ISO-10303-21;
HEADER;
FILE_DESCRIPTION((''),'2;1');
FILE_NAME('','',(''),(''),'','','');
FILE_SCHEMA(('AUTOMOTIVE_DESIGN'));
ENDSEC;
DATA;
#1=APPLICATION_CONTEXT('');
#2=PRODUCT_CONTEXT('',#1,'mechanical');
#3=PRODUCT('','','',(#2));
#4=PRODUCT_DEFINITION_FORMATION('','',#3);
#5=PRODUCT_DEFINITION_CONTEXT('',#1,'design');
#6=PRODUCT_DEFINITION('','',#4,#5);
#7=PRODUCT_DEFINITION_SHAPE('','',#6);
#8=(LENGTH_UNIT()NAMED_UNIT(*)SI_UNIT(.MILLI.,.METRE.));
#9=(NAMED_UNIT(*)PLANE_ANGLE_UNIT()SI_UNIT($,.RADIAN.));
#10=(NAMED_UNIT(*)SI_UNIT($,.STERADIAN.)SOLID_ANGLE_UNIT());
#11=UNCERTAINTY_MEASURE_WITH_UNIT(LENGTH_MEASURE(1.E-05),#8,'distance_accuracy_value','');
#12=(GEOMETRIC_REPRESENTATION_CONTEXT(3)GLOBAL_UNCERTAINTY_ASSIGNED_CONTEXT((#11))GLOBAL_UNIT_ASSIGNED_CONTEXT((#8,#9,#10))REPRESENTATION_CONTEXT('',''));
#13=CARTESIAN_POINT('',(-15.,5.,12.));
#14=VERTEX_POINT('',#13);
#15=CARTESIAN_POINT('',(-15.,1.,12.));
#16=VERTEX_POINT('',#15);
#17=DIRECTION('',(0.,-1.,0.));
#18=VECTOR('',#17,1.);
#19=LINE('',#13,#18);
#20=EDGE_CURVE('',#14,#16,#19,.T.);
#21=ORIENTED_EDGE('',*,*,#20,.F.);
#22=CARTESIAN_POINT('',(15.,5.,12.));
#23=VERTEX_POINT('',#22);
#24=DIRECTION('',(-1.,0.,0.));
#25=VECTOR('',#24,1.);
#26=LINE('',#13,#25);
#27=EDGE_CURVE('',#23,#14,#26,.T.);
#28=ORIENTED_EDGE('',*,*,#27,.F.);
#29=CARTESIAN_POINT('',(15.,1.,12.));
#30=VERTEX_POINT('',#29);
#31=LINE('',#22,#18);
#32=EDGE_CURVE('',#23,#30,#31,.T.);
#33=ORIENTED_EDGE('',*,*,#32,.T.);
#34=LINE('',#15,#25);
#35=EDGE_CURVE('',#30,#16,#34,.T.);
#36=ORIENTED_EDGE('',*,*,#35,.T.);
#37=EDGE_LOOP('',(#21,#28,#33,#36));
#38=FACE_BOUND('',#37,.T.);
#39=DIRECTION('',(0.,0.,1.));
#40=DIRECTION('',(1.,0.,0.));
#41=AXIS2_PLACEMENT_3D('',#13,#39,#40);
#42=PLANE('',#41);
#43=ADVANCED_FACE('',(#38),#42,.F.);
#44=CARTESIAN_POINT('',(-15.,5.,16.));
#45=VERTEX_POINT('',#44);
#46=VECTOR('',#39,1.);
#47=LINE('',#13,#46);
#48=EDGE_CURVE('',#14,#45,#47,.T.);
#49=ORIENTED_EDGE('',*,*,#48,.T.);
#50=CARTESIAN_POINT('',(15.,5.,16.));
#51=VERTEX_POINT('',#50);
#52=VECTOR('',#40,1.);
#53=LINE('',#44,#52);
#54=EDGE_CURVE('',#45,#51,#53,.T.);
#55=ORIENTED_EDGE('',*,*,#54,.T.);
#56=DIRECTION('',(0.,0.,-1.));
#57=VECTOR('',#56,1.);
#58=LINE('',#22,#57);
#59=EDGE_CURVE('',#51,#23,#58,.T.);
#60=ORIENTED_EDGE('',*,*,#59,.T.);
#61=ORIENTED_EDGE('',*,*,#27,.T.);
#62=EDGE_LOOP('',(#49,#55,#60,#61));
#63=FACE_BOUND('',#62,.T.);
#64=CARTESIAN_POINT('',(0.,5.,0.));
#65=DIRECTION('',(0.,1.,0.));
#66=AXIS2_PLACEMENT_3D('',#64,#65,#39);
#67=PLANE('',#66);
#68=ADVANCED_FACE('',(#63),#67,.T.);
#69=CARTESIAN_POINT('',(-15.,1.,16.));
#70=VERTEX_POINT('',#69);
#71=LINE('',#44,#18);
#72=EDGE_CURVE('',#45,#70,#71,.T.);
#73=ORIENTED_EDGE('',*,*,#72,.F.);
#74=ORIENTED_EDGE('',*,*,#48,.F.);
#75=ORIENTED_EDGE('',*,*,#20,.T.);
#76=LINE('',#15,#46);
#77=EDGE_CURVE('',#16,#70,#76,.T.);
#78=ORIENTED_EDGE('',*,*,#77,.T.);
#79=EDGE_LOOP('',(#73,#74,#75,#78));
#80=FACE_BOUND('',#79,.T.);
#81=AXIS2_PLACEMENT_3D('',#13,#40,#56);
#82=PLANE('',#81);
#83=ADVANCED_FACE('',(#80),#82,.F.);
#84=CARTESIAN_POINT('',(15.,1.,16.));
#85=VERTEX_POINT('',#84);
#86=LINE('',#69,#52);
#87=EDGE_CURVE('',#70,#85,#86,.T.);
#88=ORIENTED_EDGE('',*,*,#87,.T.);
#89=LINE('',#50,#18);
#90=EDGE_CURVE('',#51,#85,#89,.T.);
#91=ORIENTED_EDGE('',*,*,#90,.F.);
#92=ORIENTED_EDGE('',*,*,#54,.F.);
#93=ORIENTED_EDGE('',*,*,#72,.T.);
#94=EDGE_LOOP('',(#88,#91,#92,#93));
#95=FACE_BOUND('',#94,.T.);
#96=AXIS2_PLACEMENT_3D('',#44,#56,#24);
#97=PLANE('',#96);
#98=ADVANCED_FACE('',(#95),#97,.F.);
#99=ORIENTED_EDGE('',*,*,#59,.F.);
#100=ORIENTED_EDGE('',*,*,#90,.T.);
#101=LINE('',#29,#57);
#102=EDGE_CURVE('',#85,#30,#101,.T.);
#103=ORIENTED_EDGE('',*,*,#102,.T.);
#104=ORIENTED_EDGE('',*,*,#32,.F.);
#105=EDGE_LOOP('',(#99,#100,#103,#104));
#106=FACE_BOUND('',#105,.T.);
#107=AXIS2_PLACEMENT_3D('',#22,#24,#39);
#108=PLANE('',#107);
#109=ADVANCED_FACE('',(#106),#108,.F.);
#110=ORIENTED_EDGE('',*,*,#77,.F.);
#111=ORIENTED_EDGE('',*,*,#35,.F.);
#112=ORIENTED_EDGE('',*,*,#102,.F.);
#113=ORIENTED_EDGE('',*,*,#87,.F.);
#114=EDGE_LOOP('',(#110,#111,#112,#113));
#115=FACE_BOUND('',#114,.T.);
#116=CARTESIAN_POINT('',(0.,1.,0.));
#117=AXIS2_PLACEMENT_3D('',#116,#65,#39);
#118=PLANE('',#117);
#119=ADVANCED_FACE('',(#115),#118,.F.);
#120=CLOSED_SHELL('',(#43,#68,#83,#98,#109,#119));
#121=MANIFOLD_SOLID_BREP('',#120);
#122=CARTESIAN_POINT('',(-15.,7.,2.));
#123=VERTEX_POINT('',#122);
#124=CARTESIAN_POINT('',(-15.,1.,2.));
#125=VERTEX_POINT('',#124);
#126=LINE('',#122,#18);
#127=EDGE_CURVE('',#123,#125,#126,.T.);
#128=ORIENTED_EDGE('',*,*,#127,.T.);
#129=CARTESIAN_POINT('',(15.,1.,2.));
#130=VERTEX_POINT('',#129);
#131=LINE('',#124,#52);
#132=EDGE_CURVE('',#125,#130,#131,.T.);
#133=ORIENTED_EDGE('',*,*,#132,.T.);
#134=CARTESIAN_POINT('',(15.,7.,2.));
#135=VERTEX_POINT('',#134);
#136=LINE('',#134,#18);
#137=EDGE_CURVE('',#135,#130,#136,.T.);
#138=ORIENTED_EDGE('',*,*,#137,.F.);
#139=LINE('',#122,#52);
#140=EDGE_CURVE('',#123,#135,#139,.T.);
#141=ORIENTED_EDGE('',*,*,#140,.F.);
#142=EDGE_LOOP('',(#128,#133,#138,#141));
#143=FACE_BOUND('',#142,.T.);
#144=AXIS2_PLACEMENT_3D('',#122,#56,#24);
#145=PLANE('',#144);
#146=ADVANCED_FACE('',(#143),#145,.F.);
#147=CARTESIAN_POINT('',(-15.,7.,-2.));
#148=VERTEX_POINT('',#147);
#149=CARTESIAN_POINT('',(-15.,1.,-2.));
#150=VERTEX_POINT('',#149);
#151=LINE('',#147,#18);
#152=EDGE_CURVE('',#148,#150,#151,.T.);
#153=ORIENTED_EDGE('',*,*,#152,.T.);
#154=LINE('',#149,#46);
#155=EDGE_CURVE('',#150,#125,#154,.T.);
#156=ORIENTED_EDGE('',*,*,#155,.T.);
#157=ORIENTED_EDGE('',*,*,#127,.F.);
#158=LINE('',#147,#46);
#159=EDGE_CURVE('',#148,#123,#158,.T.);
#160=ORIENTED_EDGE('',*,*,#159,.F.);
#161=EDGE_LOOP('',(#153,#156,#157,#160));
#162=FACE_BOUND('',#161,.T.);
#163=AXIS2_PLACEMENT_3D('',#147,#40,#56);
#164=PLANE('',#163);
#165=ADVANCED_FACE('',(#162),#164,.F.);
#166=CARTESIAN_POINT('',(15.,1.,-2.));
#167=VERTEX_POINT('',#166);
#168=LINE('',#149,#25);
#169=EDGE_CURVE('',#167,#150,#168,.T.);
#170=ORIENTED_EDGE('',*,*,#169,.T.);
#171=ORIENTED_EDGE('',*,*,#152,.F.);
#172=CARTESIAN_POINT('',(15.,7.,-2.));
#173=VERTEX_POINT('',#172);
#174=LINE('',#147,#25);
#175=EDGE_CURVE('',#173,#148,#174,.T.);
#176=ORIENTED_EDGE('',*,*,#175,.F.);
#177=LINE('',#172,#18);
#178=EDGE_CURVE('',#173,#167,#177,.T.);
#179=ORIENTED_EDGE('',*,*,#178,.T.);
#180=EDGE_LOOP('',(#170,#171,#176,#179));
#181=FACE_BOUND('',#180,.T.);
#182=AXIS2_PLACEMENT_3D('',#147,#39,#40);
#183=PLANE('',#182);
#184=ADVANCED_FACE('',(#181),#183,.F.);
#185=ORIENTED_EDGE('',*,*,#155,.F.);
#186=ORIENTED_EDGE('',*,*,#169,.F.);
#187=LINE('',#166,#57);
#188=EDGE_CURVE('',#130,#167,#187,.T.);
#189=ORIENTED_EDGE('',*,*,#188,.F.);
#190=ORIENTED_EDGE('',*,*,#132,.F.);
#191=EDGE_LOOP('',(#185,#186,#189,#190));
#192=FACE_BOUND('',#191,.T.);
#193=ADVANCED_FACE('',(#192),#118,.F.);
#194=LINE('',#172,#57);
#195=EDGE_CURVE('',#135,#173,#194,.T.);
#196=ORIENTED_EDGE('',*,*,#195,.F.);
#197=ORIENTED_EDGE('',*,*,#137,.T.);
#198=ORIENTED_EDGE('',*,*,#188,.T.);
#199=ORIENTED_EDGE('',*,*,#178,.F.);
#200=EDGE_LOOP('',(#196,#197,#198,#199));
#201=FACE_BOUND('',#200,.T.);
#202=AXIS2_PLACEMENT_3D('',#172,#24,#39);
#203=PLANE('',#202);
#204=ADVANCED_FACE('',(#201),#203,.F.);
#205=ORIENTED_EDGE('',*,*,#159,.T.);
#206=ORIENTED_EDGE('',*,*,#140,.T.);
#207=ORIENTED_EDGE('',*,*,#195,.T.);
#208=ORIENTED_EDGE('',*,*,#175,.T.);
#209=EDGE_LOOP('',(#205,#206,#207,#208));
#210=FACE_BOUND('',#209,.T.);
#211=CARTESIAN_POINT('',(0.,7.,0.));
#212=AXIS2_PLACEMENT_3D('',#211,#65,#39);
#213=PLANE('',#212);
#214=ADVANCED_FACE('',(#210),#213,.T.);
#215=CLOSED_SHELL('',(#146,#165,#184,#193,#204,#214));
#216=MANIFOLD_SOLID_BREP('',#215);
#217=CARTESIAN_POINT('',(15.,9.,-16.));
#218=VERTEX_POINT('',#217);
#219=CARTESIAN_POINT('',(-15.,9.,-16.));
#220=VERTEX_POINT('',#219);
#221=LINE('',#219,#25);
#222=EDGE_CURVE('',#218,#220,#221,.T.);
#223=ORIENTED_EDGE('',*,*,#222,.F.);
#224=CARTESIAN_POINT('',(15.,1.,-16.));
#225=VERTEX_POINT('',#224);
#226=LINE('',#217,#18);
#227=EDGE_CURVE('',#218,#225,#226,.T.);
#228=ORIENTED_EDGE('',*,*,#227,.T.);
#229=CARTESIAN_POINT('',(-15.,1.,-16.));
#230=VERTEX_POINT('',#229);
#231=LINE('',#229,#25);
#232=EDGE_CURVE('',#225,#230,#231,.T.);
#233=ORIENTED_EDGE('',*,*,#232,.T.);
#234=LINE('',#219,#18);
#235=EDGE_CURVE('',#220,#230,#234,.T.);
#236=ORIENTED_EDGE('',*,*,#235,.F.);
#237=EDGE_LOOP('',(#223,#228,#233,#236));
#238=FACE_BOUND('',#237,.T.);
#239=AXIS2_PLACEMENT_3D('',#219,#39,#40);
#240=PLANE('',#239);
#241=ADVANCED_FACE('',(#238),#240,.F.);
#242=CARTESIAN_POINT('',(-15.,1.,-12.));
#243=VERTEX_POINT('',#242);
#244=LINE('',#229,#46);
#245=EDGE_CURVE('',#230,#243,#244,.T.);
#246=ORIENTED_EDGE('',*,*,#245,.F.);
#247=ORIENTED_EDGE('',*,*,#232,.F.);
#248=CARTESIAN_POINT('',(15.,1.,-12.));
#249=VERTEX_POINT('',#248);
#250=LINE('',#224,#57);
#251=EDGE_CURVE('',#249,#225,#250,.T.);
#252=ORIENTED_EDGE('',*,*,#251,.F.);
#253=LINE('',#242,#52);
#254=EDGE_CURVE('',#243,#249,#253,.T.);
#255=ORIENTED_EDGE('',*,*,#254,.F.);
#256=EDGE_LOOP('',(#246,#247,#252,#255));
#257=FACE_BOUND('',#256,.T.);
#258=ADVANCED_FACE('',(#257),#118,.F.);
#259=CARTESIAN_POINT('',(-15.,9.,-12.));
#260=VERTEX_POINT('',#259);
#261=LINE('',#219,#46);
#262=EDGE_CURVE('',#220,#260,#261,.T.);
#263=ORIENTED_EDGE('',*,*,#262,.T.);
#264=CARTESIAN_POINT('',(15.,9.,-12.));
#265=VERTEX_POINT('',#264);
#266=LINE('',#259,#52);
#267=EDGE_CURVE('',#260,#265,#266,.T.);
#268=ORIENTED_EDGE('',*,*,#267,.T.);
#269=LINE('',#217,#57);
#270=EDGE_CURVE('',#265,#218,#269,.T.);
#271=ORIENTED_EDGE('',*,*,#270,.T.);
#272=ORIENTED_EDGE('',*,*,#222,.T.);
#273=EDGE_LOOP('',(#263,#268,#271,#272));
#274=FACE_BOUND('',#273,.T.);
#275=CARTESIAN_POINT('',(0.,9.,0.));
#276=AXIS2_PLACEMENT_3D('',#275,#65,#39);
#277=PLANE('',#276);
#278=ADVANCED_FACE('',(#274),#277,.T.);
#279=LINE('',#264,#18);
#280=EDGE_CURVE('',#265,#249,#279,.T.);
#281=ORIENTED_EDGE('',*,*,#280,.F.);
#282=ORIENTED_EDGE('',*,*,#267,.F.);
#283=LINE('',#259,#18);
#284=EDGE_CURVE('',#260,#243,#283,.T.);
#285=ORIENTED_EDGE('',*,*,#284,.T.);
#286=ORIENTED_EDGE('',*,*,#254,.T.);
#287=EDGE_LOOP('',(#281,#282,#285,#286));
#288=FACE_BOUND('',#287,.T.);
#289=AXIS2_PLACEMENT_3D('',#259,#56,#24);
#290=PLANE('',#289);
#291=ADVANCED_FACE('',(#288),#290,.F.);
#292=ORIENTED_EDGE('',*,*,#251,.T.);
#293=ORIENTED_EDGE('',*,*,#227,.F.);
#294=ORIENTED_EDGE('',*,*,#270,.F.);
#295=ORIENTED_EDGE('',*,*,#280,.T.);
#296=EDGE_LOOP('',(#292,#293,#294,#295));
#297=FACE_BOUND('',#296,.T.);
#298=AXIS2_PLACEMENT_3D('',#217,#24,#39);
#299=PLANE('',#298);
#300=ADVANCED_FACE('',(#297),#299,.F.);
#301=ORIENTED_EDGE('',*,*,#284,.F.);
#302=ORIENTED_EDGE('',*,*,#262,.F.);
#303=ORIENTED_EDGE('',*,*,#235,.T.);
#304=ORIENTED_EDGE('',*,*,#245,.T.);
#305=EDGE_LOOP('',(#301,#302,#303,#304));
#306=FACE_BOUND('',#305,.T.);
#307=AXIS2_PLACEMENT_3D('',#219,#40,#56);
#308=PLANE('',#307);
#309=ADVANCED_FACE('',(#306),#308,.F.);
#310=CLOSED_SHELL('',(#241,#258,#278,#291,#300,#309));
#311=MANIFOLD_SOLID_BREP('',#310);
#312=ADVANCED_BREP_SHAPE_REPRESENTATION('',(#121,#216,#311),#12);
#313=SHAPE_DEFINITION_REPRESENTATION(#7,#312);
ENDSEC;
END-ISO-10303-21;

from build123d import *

# Parameters (mm, degrees)
SKETCH2_W           = 30
SKETCH2_H           = 4
BOSS_EXTRUDE1_DEPTH = 4
SKETCH3_W           = 30
SKETCH3_H           = 4
BOSS_EXTRUDE2_DEPTH = 6
SKETCH4_W           = 30
SKETCH4_H           = 4
BOSS_EXTRUDE3_DEPTH = 8


with BuildPart() as part:
    # Sketch2 → Boss-Extrude1 (new body)
    with BuildSketch(Plane(origin=(0, 1, 0), x_dir=(1, 0, 0), z_dir=(0, 1, 0))):
        with Locations((0, -14)):
            Rectangle(SKETCH2_W, SKETCH2_H)
    extrude(amount=BOSS_EXTRUDE1_DEPTH)


with BuildPart() as body_2:
    # Sketch3 → Boss-Extrude2 (new body)
    with BuildSketch(Plane(origin=(0, 1, 0), x_dir=(1, 0, 0), z_dir=(0, 1, 0))):
        Rectangle(SKETCH3_W, SKETCH3_H)
    extrude(amount=BOSS_EXTRUDE2_DEPTH)


with BuildPart() as body_3:
    # Sketch4 → Boss-Extrude3 (new body)
    with BuildSketch(Plane(origin=(0, 1, 0), x_dir=(1, 0, 0), z_dir=(0, 1, 0))):
        with Locations((0, 14)):
            Rectangle(SKETCH4_W, SKETCH4_H)
    extrude(amount=BOSS_EXTRUDE3_DEPTH)


solid = Compound([part.part, body_2.part, body_3.part])
